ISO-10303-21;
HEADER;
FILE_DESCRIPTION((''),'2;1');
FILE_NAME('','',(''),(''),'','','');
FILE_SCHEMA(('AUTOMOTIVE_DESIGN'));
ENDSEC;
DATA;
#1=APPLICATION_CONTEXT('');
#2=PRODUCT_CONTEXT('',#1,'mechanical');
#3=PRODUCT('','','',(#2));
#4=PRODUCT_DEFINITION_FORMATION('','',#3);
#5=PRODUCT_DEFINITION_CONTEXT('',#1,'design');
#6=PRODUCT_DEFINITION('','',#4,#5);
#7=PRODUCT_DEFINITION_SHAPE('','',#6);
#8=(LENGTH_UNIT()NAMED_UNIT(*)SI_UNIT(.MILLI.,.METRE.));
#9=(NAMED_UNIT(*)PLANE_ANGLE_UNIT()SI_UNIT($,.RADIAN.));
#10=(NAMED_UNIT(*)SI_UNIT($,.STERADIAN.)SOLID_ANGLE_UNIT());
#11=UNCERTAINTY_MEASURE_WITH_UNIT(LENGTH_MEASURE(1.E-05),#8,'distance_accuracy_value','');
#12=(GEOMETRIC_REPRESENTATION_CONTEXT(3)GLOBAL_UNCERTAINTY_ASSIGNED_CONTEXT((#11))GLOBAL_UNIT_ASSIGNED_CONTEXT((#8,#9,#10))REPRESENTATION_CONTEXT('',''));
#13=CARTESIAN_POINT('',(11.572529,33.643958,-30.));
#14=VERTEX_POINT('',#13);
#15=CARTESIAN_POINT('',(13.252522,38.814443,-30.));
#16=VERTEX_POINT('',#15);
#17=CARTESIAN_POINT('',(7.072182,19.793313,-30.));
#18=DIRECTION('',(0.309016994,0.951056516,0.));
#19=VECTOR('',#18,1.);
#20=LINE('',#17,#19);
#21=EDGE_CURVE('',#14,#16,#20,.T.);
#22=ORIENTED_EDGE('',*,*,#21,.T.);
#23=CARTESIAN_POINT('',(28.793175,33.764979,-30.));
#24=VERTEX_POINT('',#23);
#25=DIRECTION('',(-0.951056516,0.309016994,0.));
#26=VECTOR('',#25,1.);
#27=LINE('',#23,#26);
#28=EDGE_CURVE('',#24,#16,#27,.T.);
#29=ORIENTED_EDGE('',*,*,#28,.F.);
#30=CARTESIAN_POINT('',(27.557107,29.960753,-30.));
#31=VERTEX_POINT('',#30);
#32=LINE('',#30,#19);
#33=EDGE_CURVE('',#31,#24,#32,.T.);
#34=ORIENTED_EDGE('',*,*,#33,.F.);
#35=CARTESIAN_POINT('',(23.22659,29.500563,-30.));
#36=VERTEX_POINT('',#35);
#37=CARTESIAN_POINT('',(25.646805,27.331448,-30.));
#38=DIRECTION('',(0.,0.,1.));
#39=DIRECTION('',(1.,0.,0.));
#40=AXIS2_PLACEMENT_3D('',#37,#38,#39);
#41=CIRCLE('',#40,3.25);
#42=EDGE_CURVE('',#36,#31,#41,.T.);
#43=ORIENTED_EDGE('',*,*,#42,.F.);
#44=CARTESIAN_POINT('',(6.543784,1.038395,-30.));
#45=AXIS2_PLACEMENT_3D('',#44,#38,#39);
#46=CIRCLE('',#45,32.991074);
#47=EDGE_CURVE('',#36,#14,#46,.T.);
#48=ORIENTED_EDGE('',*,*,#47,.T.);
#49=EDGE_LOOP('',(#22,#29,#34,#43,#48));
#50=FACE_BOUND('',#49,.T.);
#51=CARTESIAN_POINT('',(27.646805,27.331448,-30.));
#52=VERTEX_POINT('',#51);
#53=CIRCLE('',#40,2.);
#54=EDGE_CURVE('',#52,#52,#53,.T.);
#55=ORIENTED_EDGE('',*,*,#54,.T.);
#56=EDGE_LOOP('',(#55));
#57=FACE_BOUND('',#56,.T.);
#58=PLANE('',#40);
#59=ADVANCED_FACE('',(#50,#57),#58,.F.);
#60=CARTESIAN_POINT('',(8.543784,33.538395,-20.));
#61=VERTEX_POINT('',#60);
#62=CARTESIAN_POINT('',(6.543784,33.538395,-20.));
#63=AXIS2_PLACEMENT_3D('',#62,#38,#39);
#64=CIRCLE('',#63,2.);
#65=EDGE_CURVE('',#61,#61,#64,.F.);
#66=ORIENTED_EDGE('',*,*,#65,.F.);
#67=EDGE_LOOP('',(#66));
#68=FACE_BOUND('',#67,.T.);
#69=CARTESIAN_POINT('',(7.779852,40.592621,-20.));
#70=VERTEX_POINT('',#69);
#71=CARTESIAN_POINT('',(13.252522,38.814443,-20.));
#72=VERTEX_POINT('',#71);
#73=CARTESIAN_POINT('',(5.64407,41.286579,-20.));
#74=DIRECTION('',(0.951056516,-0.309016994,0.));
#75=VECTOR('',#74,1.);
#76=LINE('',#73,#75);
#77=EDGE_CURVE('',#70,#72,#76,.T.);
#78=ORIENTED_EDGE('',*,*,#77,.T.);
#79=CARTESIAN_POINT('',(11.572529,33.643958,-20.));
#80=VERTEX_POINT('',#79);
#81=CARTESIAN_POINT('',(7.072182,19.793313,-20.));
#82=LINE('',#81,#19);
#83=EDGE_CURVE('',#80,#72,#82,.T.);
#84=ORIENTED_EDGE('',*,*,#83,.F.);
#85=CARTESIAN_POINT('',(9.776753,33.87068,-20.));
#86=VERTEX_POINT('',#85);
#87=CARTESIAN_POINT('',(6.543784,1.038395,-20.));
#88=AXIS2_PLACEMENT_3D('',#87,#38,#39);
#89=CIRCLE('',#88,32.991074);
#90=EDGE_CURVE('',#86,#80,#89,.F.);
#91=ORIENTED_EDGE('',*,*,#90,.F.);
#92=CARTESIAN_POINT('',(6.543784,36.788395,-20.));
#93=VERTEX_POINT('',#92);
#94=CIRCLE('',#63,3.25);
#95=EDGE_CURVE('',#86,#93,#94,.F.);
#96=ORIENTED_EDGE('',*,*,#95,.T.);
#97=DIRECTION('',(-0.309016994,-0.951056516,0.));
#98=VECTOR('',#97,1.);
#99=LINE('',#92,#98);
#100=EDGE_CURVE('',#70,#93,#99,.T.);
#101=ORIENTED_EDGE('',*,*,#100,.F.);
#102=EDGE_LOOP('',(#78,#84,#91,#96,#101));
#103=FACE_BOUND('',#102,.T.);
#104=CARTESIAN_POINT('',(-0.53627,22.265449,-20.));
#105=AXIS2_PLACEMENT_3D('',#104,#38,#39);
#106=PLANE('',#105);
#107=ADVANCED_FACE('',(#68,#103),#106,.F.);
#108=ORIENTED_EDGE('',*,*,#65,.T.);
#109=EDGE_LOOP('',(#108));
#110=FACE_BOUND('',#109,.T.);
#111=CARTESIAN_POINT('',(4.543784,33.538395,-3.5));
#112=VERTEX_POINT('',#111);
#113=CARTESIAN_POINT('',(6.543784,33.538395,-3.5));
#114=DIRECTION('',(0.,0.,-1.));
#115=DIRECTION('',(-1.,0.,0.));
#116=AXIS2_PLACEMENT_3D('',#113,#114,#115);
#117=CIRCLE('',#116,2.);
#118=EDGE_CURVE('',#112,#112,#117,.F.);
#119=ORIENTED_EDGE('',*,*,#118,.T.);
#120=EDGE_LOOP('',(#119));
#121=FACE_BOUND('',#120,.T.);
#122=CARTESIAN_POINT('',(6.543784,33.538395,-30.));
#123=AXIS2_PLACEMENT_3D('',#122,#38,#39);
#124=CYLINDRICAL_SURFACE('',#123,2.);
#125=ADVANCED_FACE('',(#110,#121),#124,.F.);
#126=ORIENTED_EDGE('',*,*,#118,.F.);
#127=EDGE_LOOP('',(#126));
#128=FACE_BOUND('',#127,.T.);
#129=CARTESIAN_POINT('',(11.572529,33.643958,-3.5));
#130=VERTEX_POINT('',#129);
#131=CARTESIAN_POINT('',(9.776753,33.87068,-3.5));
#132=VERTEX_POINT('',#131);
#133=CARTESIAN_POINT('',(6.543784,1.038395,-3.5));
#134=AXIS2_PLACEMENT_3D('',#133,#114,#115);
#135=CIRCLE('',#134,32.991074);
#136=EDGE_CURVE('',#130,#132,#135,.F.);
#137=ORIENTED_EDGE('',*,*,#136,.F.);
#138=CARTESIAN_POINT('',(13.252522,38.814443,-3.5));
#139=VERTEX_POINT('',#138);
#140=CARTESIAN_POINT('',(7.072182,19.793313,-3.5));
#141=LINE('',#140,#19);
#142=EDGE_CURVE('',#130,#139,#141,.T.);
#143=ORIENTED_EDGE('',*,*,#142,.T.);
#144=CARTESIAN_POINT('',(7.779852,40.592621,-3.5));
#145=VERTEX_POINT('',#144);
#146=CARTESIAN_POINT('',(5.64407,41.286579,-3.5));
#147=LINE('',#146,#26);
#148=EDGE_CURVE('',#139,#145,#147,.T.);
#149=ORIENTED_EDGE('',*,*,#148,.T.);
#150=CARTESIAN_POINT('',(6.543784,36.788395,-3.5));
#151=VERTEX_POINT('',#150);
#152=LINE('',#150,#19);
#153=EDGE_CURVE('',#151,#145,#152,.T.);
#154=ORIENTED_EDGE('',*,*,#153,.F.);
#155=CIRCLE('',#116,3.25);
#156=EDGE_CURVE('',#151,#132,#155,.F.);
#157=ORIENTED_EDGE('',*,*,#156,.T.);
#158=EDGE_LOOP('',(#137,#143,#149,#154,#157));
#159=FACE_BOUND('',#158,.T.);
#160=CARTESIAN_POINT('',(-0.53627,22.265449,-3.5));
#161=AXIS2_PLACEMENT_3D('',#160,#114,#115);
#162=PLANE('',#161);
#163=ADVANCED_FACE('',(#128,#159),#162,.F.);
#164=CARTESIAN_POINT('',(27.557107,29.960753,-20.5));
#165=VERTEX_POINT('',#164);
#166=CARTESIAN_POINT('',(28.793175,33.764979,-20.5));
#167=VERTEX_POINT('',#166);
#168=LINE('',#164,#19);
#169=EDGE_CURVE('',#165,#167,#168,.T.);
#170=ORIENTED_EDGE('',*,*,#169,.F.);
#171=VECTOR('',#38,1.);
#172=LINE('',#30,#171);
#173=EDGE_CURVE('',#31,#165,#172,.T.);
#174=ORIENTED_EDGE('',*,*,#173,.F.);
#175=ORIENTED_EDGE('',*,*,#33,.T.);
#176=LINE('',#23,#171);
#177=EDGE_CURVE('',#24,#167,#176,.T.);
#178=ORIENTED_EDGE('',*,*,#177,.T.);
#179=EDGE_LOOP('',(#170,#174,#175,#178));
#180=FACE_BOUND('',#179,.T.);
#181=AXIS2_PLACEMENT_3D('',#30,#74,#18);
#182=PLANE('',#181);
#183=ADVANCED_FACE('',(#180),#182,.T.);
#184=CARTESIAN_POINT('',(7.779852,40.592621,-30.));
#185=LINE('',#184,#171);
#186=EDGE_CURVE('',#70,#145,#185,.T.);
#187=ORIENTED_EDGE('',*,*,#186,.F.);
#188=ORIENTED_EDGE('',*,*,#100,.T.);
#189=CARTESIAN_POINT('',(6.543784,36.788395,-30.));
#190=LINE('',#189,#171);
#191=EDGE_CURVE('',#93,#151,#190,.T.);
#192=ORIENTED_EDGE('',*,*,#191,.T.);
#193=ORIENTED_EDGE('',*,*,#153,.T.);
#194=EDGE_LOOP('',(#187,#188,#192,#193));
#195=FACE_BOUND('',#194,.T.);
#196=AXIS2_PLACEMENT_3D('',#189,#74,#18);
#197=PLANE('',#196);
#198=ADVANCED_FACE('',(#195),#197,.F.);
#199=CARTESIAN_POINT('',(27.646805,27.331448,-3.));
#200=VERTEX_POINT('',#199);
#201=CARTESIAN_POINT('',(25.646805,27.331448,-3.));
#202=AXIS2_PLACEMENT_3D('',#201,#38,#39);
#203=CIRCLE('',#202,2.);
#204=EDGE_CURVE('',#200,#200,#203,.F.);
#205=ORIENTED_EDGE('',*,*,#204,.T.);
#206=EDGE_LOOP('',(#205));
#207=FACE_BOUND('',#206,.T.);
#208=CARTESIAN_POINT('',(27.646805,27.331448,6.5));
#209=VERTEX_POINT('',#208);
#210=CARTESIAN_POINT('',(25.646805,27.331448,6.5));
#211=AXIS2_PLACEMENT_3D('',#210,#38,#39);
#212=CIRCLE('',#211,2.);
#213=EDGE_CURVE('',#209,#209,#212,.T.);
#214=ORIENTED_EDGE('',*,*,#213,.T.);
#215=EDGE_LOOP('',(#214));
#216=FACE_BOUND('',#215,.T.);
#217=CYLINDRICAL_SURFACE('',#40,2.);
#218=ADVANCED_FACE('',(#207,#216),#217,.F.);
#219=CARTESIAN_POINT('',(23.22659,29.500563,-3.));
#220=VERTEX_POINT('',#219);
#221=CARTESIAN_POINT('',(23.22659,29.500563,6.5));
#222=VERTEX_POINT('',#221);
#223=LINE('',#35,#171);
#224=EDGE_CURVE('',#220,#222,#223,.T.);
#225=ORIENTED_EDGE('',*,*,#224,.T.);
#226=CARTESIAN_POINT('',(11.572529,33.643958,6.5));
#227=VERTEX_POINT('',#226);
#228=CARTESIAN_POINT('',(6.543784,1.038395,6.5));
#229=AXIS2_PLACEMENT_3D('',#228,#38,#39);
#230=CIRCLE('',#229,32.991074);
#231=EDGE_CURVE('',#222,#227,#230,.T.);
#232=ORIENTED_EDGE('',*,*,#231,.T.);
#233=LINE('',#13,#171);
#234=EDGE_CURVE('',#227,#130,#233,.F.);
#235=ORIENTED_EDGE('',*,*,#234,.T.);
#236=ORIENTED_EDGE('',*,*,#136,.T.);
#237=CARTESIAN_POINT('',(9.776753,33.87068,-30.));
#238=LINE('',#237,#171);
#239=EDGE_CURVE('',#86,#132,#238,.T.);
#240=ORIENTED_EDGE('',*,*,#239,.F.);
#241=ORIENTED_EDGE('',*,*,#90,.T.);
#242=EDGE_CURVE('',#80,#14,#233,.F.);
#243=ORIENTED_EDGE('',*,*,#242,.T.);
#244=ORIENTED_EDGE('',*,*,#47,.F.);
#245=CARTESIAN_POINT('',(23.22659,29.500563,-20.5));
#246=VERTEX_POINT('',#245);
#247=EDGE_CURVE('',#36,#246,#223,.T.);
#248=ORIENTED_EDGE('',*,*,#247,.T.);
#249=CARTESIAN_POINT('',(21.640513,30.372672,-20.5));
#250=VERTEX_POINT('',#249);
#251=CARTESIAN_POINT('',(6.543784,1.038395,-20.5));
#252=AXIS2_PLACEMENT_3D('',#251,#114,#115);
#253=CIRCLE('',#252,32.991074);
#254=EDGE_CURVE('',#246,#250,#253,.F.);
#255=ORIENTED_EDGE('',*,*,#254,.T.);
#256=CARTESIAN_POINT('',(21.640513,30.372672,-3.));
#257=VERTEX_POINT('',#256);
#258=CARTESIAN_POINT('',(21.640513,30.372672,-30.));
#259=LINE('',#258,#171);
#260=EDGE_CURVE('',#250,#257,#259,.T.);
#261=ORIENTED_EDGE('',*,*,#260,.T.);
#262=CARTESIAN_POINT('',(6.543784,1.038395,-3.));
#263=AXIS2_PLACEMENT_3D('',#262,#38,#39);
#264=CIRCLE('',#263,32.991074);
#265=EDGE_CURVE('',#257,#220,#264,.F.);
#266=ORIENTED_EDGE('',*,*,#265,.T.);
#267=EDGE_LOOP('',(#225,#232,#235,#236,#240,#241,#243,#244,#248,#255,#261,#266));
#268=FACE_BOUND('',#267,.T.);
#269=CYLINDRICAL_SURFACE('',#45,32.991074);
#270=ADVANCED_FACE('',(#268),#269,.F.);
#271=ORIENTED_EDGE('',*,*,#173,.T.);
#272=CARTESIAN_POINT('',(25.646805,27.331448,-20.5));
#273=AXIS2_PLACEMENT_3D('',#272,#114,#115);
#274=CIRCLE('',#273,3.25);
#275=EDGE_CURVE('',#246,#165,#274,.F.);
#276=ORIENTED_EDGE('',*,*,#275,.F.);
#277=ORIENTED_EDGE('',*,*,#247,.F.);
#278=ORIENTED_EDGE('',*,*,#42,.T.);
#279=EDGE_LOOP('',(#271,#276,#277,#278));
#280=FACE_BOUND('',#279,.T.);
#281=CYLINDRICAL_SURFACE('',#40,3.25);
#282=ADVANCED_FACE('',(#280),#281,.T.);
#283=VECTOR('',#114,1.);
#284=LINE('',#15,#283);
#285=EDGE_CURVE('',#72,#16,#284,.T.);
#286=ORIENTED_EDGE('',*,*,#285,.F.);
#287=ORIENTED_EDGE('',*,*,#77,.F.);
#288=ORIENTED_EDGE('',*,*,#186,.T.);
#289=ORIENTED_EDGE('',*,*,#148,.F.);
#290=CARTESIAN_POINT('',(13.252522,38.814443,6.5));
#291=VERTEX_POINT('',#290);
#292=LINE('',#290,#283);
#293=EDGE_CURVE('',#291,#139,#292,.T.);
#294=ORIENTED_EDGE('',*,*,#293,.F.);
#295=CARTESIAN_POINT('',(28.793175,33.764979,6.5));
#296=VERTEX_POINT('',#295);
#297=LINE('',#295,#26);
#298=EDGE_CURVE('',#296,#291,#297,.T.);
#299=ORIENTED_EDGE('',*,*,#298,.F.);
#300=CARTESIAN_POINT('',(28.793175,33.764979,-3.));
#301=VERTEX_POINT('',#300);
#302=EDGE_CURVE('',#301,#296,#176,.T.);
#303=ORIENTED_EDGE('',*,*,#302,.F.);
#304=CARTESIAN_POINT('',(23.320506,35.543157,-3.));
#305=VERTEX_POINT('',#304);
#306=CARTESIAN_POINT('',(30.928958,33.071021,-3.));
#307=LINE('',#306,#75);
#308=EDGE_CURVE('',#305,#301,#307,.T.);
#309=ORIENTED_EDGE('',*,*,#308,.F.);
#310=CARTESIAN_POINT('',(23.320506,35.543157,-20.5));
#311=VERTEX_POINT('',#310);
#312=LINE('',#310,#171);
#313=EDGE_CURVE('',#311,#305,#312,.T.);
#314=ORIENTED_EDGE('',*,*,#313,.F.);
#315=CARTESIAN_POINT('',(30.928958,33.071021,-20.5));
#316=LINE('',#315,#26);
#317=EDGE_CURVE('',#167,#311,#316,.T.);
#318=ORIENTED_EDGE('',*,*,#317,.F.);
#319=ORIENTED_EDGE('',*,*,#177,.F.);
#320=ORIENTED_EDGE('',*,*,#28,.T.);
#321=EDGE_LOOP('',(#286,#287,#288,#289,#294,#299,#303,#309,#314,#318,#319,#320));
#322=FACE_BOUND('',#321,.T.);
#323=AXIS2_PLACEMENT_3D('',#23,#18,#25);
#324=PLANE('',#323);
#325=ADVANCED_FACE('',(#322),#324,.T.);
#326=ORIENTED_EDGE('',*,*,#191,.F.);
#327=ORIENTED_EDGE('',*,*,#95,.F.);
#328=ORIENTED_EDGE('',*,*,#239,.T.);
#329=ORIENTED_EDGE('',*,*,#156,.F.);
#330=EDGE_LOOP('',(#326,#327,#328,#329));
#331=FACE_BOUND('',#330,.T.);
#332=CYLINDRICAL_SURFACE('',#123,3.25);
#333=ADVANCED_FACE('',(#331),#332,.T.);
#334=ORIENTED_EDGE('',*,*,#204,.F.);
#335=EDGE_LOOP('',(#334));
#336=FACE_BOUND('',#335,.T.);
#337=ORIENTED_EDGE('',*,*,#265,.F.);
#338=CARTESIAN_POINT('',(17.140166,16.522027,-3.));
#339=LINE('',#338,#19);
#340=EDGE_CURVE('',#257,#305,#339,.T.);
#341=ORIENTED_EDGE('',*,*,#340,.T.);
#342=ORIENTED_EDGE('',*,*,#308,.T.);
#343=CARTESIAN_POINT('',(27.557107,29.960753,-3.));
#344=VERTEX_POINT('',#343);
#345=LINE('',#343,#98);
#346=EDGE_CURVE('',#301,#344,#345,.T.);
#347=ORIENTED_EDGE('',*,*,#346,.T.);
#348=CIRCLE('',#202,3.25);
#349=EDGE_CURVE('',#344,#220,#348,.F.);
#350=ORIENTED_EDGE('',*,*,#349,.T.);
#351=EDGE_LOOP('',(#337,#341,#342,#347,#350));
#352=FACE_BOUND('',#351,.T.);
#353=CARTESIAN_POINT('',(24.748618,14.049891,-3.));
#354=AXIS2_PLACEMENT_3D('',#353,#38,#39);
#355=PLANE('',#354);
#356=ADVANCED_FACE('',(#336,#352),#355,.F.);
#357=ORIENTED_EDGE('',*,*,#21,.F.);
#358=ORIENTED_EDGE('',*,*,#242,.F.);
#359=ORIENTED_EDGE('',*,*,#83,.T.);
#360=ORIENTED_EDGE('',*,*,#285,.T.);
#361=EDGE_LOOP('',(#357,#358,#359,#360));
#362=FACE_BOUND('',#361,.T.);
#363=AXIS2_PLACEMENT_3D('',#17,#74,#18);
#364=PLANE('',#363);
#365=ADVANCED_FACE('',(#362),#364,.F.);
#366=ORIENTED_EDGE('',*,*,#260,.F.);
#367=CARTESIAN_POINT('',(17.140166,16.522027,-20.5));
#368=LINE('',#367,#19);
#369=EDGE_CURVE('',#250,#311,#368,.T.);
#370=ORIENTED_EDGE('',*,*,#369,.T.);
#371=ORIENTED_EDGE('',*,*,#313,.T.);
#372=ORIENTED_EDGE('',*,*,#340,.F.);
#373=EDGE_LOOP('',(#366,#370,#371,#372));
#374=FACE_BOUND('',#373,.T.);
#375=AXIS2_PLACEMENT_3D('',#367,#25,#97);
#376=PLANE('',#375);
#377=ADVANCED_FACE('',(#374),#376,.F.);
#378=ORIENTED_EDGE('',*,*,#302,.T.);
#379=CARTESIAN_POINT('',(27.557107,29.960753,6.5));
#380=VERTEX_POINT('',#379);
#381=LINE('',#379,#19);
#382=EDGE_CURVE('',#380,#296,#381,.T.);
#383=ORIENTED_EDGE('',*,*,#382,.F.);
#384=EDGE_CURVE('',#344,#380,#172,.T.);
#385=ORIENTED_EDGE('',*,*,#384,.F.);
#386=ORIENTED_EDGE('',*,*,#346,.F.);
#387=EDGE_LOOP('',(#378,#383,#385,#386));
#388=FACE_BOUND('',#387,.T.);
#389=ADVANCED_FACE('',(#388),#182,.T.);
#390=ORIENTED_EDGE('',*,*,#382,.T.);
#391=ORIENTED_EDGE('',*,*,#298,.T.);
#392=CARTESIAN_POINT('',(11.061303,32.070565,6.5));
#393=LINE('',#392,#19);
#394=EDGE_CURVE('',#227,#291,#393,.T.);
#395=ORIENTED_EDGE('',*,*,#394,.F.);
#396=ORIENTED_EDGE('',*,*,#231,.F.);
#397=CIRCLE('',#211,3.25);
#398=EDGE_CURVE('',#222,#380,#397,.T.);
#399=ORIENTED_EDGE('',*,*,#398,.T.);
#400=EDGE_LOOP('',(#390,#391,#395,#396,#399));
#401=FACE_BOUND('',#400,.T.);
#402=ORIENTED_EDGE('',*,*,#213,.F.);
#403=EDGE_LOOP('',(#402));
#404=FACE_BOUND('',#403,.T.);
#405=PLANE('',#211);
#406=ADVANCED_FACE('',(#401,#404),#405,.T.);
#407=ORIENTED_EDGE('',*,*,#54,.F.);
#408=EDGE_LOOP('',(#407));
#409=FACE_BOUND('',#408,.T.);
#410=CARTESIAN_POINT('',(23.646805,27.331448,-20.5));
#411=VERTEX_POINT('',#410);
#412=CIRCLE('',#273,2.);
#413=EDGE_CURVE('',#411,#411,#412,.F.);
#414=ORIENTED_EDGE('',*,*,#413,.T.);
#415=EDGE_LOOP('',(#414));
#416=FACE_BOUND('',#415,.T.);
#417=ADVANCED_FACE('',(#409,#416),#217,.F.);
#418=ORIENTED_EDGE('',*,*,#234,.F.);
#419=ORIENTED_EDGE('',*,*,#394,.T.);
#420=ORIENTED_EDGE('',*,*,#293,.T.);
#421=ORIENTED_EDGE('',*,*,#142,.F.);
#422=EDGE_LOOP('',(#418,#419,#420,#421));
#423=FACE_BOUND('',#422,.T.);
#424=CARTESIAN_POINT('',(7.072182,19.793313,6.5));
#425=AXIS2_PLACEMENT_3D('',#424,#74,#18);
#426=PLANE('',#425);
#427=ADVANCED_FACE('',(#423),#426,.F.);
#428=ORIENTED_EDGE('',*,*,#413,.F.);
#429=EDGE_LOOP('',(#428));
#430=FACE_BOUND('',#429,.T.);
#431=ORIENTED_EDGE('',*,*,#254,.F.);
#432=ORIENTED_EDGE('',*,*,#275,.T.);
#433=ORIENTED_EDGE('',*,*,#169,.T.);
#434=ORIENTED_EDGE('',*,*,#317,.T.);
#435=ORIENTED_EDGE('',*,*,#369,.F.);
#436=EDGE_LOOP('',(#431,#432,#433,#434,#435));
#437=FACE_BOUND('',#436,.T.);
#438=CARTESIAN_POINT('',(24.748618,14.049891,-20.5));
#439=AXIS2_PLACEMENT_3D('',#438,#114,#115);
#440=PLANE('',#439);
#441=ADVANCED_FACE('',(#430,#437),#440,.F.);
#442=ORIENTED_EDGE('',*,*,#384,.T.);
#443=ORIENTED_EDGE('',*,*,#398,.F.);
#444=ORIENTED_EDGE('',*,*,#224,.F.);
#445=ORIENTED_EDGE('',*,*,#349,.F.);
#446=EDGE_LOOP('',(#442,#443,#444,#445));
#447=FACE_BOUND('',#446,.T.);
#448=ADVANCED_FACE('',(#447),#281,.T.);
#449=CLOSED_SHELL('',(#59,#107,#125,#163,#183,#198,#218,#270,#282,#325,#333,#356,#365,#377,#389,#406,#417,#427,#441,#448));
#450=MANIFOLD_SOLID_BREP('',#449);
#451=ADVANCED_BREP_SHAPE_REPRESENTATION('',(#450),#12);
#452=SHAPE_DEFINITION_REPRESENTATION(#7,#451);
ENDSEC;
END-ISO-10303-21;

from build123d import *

# Parameters (mm, degrees)
SALIENTE_EXTRUIR1_DEPTH      = 6.5
SALIENTE_EXTRUIR1_DEPTH_BACK = 30
CROQUIS1_R                   = 2
CROQUIS2_W                   = 8
CROQUIS2_H                   = 10
CROQUIS2_H_2                 = 17.5
CORTAR_EXTRUIR2_DEPTH        = 20


with BuildPart() as part:
    # Croquis1 → Saliente-Extruir1 (new, two sides: drawn at the far end of the back side and taken through both)
    with BuildSketch(Plane.XY.offset(-SALIENTE_EXTRUIR1_DEPTH_BACK)):
        with BuildLine():
            Line((28.793175074, 33.764978898), (7.779852304, 40.592621349))
            Line((7.779852304, 40.592621349), (6.543784327, 36.788395284))
            ThreePointArc((6.543784327, 36.788395284), (4.366334456, 31.125676473), (9.776753104, 33.870679629))
            ThreePointArc((9.776753104, 33.870679629), (16.738586943, 32.414771462), (23.226590181, 29.500562652))
            ThreePointArc((23.226590181, 29.500562652), (25.990238441, 24.099644159), (27.557107096, 29.960752833))
            Line((27.557107096, 29.960752833), (28.793175074, 33.764978898))
        make_face()
        with Locations((6.543784327, 33.538395284)):
            Circle(CROQUIS1_R, mode=Mode.SUBTRACT)
        with Locations((25.646805026, 27.331447601)):
            Circle(CROQUIS1_R, mode=Mode.SUBTRACT)
    extrude(amount=SALIENTE_EXTRUIR1_DEPTH + SALIENTE_EXTRUIR1_DEPTH_BACK)

    # Croquis2 → Cortar-Extruir2 (cut)
    with BuildSketch(Plane(origin=(12.672781879, 39.002812158, 0), x_dir=(0.9510565162951536, -0.3090169943749473, 0), z_dir=(0.3090169943749473, 0.9510565162951536, 0))):
        with Locations((-3.390425382, 25)):
            Rectangle(CROQUIS2_W, CROQUIS2_H)
        with Locations((-3.390425382, -1.5)):
            Rectangle(CROQUIS2_W, CROQUIS2_H)
        with Locations((15.195679253, 11.75)):
            Rectangle(CROQUIS2_W, CROQUIS2_H_2)
    extrude(amount=-CORTAR_EXTRUIR2_DEPTH, mode=Mode.SUBTRACT)


solid = part.part
